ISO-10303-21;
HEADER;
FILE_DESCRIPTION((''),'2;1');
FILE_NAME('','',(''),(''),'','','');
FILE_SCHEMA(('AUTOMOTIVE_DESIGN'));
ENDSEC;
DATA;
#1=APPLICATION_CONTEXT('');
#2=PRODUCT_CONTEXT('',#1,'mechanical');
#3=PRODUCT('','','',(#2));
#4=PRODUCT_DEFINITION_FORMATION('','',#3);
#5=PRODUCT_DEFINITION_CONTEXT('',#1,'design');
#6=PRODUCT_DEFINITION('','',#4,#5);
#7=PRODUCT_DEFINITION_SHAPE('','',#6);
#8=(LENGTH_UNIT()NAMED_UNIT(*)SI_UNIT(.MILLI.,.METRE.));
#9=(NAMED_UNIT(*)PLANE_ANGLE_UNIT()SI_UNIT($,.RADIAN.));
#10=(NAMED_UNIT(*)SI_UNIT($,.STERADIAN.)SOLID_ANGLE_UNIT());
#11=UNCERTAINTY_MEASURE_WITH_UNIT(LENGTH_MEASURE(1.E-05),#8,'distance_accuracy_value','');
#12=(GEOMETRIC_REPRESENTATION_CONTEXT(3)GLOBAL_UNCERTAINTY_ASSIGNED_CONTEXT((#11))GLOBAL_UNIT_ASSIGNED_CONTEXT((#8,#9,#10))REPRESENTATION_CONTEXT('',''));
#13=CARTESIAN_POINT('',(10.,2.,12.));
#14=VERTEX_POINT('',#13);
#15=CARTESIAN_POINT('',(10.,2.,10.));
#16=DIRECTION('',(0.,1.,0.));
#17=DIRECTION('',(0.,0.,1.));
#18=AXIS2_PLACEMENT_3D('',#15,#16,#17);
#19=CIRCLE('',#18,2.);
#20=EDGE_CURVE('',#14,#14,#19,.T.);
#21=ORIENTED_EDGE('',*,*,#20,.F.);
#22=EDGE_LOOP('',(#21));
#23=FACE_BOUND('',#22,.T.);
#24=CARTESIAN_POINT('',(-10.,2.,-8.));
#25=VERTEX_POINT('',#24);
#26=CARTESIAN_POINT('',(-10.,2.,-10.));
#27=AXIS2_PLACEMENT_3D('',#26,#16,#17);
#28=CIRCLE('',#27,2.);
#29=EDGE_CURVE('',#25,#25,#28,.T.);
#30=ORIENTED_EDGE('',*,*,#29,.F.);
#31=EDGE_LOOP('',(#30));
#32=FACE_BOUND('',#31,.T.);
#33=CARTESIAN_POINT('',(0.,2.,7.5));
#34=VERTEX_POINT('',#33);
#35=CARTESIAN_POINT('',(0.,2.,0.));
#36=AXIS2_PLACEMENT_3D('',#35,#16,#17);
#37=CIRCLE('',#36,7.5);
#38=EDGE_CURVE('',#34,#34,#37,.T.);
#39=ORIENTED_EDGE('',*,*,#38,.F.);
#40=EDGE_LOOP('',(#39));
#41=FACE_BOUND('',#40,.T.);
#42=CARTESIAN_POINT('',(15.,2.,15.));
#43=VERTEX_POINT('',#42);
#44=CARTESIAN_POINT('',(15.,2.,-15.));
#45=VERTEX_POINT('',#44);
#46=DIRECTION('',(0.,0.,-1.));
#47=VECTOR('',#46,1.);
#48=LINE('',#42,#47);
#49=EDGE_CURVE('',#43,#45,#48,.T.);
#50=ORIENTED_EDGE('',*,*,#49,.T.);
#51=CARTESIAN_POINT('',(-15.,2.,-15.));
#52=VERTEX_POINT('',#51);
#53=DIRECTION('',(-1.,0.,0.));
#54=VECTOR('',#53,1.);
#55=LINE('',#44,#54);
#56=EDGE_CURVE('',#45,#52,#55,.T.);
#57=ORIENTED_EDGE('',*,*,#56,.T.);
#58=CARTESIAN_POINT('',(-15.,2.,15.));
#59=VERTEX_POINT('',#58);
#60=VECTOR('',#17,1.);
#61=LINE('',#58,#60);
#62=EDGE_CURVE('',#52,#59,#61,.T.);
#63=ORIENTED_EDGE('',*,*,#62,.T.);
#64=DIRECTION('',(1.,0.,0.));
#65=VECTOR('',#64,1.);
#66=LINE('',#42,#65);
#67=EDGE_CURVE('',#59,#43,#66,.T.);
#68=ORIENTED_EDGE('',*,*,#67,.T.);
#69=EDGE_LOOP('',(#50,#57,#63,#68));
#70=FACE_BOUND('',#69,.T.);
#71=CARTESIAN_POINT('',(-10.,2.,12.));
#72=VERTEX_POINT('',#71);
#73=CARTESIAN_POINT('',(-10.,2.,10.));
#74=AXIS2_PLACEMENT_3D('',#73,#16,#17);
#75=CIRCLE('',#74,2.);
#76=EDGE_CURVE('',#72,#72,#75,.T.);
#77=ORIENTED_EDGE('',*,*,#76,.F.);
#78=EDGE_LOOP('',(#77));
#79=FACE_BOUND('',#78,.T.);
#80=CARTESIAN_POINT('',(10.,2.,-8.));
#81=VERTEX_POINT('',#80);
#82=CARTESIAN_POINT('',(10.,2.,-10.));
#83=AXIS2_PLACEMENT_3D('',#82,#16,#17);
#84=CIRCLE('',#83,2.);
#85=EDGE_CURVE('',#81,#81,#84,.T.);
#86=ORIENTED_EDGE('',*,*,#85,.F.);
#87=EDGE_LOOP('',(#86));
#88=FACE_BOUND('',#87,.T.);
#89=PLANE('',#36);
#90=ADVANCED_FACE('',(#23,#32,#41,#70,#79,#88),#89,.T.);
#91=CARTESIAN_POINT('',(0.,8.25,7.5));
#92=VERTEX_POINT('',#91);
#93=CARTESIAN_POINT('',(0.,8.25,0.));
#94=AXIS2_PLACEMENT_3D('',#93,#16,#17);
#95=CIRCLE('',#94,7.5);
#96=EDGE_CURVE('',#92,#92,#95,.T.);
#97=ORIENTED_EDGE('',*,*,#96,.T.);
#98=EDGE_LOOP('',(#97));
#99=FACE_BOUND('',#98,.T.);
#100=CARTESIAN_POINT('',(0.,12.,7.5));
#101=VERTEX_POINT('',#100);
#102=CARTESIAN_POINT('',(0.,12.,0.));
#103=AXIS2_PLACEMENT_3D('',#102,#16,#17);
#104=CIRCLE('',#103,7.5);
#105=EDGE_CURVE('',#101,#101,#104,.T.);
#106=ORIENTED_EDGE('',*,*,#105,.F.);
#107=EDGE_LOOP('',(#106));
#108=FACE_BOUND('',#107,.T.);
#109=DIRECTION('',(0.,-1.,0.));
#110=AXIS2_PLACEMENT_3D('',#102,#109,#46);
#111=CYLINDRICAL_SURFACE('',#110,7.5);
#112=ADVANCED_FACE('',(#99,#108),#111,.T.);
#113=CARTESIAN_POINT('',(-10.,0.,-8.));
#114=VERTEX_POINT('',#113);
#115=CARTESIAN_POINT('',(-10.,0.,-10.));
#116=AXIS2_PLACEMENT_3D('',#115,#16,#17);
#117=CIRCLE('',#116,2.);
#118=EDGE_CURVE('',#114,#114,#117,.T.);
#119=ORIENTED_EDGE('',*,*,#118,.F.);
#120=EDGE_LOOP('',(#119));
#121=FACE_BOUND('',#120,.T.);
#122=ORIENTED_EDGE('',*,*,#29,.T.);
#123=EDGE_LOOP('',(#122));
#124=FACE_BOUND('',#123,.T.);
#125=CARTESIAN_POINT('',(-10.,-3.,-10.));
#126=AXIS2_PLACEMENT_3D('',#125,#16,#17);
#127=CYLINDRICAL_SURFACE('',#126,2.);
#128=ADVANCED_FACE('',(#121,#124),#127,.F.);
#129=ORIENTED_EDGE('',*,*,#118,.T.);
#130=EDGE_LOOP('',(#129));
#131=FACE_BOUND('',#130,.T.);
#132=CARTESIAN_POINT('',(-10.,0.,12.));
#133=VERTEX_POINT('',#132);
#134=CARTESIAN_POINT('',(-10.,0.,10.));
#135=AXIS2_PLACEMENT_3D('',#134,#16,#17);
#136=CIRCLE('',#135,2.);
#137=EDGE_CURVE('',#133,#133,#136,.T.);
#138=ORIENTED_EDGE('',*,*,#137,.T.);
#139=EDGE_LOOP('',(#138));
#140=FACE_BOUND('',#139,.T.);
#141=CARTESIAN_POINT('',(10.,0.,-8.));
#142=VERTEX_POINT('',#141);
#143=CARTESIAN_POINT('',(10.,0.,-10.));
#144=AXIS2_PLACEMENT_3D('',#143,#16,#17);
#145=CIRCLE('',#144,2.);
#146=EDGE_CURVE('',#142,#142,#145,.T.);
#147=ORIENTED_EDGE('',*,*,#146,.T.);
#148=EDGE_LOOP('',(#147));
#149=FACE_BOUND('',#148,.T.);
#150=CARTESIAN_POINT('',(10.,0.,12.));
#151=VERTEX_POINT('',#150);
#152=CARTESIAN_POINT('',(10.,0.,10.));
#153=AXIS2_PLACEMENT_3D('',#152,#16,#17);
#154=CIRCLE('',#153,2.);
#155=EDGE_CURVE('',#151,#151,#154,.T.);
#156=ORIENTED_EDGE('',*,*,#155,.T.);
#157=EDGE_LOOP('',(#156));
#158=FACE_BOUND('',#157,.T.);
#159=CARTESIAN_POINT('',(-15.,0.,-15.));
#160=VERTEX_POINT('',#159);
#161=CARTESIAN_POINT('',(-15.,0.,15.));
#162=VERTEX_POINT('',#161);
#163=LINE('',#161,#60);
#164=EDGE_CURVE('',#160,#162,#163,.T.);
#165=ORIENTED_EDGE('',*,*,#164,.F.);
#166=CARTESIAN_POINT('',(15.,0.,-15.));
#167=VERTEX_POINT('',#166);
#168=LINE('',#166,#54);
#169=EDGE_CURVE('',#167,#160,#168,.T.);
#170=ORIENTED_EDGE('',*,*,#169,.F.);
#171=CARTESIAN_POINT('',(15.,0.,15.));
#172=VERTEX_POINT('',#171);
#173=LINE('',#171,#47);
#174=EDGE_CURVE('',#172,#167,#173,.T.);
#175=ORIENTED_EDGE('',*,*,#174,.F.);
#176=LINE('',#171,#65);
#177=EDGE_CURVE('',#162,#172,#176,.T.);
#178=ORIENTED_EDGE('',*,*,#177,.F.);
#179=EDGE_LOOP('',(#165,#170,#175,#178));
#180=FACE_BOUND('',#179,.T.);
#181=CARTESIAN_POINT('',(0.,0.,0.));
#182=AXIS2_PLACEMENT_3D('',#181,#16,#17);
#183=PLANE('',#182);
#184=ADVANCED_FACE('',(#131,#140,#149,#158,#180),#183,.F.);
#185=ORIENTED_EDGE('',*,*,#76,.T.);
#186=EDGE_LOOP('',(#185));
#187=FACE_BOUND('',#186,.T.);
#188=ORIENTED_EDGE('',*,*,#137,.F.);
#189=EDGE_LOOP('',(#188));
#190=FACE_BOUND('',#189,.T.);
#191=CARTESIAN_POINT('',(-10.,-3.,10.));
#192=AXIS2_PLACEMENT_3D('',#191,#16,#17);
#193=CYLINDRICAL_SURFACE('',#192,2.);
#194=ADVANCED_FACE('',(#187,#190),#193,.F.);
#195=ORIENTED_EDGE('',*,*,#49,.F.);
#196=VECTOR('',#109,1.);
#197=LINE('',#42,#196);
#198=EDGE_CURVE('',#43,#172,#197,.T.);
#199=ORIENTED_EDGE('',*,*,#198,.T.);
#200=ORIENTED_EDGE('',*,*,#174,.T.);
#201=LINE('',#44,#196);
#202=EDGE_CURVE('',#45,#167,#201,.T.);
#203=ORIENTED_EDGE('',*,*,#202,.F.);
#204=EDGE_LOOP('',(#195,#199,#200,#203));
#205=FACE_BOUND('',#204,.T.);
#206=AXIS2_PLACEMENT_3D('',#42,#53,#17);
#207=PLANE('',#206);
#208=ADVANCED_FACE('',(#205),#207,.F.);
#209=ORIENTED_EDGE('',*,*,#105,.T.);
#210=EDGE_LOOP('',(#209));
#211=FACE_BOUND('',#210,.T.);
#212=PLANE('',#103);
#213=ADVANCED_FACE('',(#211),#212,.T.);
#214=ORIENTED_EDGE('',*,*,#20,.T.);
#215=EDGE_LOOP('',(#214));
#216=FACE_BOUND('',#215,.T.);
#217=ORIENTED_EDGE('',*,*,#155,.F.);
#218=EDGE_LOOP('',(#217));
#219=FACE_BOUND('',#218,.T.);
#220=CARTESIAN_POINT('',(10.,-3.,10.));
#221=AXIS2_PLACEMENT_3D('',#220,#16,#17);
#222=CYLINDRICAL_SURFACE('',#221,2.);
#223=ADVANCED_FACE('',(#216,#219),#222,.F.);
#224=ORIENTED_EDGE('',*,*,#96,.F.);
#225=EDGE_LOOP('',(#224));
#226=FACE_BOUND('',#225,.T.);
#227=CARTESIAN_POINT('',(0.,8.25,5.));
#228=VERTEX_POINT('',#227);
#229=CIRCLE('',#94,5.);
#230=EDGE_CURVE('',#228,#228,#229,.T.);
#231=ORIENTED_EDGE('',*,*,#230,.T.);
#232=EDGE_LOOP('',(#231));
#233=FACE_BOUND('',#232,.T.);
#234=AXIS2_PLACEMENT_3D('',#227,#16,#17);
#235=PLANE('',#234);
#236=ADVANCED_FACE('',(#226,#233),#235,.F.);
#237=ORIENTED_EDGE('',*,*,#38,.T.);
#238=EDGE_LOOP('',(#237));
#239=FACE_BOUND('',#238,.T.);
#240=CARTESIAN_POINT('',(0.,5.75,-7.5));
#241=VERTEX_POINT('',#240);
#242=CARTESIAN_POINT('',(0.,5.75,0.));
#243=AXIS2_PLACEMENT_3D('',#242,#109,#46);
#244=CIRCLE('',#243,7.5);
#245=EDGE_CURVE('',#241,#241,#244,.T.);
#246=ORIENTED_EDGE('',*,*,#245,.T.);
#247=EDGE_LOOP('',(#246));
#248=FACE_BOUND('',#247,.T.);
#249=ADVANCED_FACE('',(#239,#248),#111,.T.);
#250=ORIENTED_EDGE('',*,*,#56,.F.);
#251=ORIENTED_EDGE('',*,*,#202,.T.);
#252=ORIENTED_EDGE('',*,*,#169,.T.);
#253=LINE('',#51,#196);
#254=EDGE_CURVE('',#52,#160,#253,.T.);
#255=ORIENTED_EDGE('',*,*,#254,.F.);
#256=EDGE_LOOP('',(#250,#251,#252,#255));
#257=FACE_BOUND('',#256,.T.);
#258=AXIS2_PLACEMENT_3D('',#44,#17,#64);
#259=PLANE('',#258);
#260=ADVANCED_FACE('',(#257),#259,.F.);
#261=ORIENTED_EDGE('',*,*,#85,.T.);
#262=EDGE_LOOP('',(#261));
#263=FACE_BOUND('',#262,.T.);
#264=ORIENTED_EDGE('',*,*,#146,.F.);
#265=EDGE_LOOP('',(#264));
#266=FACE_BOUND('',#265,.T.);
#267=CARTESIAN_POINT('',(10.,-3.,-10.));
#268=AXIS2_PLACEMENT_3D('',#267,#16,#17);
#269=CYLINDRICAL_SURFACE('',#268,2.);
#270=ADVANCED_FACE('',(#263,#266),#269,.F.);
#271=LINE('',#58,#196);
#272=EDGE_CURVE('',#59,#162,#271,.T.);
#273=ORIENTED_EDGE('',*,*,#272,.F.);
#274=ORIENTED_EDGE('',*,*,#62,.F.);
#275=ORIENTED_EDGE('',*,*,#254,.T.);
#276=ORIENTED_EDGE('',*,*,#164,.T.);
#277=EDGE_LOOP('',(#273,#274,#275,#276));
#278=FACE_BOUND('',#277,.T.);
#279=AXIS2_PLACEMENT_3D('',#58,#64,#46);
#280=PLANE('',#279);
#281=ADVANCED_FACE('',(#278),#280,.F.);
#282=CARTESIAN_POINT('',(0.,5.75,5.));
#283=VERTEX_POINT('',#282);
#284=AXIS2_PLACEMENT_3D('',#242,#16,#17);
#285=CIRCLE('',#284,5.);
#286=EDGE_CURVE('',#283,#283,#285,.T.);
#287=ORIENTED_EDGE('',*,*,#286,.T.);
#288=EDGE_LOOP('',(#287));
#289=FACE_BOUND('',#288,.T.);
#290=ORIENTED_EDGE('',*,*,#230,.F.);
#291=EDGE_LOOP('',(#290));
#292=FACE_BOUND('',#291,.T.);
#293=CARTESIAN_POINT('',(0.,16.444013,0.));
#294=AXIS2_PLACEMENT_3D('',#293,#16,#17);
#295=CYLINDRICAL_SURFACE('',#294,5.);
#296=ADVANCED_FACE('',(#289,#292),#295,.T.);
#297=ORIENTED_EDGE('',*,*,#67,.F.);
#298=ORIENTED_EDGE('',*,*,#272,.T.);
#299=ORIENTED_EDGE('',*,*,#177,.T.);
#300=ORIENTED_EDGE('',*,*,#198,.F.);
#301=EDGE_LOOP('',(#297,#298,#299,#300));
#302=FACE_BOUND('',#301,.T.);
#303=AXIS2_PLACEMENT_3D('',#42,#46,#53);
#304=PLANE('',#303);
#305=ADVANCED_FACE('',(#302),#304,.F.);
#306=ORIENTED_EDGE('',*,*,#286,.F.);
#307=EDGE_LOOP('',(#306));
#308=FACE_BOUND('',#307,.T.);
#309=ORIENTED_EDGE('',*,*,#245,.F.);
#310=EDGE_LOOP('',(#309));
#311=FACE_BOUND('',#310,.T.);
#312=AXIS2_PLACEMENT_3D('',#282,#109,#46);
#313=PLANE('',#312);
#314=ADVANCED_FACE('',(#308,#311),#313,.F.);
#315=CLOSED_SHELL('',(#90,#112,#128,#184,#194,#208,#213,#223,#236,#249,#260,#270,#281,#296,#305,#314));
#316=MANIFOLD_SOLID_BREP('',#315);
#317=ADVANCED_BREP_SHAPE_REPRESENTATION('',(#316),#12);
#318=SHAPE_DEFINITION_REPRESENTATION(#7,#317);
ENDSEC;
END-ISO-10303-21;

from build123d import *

# Parameters (mm, degrees)
SKETCH1_W           = 30
SKETCH1_H           = 30
BOSS_EXTRUDE1_DEPTH = 2
SKETCH3_R           = 2
CUT_EXTRUDE1_DEPTH  = 5
SKETCH2_R           = 7.5
BOSS_EXTRUDE2_DEPTH = 10
SKETCH4_W           = 5
SKETCH4_H           = 2.5


with BuildPart() as part:
    # Sketch1 → Boss-Extrude1 (new body)
    with BuildSketch(Plane(origin=(0, 0, 0), x_dir=(1, 0, 0), z_dir=(0, 1, 0))):
        Rectangle(SKETCH1_W, SKETCH1_H)
    extrude(amount=BOSS_EXTRUDE1_DEPTH)

    # Sketch3 → Cut-Extrude1 (cut)
    with BuildSketch(Plane(origin=(0, 2, 0), x_dir=(1, 0, 0), z_dir=(0, 1, 0))):
        with Locations((-10, 10)):
            Circle(SKETCH3_R)
        with Locations((10, 10)):
            Circle(SKETCH3_R)
        with Locations((10, -10)):
            Circle(SKETCH3_R)
        with Locations((-10, -10)):
            Circle(SKETCH3_R)
    extrude(amount=-CUT_EXTRUDE1_DEPTH, mode=Mode.SUBTRACT)

    # Sketch2 → Boss-Extrude2 (add)
    with BuildSketch(Plane(origin=(0, 2, 0), x_dir=(1, 0, 0), z_dir=(0, 1, 0))):
        Circle(SKETCH2_R)
    extrude(amount=BOSS_EXTRUDE2_DEPTH)

    # Sketch4 → Cut-Revolve1 (revolve, cut)
    with BuildSketch(Plane(origin=(0, 0, 0), x_dir=(0, 0, -1), z_dir=(1, 0, 0))):
        with Locations((-7.5, 7)):
            Rectangle(SKETCH4_W, SKETCH4_H)
    revolve(axis=Axis((0, 16.444012907, 0), (0, -1, 0)), mode=Mode.SUBTRACT)


solid = part.part
